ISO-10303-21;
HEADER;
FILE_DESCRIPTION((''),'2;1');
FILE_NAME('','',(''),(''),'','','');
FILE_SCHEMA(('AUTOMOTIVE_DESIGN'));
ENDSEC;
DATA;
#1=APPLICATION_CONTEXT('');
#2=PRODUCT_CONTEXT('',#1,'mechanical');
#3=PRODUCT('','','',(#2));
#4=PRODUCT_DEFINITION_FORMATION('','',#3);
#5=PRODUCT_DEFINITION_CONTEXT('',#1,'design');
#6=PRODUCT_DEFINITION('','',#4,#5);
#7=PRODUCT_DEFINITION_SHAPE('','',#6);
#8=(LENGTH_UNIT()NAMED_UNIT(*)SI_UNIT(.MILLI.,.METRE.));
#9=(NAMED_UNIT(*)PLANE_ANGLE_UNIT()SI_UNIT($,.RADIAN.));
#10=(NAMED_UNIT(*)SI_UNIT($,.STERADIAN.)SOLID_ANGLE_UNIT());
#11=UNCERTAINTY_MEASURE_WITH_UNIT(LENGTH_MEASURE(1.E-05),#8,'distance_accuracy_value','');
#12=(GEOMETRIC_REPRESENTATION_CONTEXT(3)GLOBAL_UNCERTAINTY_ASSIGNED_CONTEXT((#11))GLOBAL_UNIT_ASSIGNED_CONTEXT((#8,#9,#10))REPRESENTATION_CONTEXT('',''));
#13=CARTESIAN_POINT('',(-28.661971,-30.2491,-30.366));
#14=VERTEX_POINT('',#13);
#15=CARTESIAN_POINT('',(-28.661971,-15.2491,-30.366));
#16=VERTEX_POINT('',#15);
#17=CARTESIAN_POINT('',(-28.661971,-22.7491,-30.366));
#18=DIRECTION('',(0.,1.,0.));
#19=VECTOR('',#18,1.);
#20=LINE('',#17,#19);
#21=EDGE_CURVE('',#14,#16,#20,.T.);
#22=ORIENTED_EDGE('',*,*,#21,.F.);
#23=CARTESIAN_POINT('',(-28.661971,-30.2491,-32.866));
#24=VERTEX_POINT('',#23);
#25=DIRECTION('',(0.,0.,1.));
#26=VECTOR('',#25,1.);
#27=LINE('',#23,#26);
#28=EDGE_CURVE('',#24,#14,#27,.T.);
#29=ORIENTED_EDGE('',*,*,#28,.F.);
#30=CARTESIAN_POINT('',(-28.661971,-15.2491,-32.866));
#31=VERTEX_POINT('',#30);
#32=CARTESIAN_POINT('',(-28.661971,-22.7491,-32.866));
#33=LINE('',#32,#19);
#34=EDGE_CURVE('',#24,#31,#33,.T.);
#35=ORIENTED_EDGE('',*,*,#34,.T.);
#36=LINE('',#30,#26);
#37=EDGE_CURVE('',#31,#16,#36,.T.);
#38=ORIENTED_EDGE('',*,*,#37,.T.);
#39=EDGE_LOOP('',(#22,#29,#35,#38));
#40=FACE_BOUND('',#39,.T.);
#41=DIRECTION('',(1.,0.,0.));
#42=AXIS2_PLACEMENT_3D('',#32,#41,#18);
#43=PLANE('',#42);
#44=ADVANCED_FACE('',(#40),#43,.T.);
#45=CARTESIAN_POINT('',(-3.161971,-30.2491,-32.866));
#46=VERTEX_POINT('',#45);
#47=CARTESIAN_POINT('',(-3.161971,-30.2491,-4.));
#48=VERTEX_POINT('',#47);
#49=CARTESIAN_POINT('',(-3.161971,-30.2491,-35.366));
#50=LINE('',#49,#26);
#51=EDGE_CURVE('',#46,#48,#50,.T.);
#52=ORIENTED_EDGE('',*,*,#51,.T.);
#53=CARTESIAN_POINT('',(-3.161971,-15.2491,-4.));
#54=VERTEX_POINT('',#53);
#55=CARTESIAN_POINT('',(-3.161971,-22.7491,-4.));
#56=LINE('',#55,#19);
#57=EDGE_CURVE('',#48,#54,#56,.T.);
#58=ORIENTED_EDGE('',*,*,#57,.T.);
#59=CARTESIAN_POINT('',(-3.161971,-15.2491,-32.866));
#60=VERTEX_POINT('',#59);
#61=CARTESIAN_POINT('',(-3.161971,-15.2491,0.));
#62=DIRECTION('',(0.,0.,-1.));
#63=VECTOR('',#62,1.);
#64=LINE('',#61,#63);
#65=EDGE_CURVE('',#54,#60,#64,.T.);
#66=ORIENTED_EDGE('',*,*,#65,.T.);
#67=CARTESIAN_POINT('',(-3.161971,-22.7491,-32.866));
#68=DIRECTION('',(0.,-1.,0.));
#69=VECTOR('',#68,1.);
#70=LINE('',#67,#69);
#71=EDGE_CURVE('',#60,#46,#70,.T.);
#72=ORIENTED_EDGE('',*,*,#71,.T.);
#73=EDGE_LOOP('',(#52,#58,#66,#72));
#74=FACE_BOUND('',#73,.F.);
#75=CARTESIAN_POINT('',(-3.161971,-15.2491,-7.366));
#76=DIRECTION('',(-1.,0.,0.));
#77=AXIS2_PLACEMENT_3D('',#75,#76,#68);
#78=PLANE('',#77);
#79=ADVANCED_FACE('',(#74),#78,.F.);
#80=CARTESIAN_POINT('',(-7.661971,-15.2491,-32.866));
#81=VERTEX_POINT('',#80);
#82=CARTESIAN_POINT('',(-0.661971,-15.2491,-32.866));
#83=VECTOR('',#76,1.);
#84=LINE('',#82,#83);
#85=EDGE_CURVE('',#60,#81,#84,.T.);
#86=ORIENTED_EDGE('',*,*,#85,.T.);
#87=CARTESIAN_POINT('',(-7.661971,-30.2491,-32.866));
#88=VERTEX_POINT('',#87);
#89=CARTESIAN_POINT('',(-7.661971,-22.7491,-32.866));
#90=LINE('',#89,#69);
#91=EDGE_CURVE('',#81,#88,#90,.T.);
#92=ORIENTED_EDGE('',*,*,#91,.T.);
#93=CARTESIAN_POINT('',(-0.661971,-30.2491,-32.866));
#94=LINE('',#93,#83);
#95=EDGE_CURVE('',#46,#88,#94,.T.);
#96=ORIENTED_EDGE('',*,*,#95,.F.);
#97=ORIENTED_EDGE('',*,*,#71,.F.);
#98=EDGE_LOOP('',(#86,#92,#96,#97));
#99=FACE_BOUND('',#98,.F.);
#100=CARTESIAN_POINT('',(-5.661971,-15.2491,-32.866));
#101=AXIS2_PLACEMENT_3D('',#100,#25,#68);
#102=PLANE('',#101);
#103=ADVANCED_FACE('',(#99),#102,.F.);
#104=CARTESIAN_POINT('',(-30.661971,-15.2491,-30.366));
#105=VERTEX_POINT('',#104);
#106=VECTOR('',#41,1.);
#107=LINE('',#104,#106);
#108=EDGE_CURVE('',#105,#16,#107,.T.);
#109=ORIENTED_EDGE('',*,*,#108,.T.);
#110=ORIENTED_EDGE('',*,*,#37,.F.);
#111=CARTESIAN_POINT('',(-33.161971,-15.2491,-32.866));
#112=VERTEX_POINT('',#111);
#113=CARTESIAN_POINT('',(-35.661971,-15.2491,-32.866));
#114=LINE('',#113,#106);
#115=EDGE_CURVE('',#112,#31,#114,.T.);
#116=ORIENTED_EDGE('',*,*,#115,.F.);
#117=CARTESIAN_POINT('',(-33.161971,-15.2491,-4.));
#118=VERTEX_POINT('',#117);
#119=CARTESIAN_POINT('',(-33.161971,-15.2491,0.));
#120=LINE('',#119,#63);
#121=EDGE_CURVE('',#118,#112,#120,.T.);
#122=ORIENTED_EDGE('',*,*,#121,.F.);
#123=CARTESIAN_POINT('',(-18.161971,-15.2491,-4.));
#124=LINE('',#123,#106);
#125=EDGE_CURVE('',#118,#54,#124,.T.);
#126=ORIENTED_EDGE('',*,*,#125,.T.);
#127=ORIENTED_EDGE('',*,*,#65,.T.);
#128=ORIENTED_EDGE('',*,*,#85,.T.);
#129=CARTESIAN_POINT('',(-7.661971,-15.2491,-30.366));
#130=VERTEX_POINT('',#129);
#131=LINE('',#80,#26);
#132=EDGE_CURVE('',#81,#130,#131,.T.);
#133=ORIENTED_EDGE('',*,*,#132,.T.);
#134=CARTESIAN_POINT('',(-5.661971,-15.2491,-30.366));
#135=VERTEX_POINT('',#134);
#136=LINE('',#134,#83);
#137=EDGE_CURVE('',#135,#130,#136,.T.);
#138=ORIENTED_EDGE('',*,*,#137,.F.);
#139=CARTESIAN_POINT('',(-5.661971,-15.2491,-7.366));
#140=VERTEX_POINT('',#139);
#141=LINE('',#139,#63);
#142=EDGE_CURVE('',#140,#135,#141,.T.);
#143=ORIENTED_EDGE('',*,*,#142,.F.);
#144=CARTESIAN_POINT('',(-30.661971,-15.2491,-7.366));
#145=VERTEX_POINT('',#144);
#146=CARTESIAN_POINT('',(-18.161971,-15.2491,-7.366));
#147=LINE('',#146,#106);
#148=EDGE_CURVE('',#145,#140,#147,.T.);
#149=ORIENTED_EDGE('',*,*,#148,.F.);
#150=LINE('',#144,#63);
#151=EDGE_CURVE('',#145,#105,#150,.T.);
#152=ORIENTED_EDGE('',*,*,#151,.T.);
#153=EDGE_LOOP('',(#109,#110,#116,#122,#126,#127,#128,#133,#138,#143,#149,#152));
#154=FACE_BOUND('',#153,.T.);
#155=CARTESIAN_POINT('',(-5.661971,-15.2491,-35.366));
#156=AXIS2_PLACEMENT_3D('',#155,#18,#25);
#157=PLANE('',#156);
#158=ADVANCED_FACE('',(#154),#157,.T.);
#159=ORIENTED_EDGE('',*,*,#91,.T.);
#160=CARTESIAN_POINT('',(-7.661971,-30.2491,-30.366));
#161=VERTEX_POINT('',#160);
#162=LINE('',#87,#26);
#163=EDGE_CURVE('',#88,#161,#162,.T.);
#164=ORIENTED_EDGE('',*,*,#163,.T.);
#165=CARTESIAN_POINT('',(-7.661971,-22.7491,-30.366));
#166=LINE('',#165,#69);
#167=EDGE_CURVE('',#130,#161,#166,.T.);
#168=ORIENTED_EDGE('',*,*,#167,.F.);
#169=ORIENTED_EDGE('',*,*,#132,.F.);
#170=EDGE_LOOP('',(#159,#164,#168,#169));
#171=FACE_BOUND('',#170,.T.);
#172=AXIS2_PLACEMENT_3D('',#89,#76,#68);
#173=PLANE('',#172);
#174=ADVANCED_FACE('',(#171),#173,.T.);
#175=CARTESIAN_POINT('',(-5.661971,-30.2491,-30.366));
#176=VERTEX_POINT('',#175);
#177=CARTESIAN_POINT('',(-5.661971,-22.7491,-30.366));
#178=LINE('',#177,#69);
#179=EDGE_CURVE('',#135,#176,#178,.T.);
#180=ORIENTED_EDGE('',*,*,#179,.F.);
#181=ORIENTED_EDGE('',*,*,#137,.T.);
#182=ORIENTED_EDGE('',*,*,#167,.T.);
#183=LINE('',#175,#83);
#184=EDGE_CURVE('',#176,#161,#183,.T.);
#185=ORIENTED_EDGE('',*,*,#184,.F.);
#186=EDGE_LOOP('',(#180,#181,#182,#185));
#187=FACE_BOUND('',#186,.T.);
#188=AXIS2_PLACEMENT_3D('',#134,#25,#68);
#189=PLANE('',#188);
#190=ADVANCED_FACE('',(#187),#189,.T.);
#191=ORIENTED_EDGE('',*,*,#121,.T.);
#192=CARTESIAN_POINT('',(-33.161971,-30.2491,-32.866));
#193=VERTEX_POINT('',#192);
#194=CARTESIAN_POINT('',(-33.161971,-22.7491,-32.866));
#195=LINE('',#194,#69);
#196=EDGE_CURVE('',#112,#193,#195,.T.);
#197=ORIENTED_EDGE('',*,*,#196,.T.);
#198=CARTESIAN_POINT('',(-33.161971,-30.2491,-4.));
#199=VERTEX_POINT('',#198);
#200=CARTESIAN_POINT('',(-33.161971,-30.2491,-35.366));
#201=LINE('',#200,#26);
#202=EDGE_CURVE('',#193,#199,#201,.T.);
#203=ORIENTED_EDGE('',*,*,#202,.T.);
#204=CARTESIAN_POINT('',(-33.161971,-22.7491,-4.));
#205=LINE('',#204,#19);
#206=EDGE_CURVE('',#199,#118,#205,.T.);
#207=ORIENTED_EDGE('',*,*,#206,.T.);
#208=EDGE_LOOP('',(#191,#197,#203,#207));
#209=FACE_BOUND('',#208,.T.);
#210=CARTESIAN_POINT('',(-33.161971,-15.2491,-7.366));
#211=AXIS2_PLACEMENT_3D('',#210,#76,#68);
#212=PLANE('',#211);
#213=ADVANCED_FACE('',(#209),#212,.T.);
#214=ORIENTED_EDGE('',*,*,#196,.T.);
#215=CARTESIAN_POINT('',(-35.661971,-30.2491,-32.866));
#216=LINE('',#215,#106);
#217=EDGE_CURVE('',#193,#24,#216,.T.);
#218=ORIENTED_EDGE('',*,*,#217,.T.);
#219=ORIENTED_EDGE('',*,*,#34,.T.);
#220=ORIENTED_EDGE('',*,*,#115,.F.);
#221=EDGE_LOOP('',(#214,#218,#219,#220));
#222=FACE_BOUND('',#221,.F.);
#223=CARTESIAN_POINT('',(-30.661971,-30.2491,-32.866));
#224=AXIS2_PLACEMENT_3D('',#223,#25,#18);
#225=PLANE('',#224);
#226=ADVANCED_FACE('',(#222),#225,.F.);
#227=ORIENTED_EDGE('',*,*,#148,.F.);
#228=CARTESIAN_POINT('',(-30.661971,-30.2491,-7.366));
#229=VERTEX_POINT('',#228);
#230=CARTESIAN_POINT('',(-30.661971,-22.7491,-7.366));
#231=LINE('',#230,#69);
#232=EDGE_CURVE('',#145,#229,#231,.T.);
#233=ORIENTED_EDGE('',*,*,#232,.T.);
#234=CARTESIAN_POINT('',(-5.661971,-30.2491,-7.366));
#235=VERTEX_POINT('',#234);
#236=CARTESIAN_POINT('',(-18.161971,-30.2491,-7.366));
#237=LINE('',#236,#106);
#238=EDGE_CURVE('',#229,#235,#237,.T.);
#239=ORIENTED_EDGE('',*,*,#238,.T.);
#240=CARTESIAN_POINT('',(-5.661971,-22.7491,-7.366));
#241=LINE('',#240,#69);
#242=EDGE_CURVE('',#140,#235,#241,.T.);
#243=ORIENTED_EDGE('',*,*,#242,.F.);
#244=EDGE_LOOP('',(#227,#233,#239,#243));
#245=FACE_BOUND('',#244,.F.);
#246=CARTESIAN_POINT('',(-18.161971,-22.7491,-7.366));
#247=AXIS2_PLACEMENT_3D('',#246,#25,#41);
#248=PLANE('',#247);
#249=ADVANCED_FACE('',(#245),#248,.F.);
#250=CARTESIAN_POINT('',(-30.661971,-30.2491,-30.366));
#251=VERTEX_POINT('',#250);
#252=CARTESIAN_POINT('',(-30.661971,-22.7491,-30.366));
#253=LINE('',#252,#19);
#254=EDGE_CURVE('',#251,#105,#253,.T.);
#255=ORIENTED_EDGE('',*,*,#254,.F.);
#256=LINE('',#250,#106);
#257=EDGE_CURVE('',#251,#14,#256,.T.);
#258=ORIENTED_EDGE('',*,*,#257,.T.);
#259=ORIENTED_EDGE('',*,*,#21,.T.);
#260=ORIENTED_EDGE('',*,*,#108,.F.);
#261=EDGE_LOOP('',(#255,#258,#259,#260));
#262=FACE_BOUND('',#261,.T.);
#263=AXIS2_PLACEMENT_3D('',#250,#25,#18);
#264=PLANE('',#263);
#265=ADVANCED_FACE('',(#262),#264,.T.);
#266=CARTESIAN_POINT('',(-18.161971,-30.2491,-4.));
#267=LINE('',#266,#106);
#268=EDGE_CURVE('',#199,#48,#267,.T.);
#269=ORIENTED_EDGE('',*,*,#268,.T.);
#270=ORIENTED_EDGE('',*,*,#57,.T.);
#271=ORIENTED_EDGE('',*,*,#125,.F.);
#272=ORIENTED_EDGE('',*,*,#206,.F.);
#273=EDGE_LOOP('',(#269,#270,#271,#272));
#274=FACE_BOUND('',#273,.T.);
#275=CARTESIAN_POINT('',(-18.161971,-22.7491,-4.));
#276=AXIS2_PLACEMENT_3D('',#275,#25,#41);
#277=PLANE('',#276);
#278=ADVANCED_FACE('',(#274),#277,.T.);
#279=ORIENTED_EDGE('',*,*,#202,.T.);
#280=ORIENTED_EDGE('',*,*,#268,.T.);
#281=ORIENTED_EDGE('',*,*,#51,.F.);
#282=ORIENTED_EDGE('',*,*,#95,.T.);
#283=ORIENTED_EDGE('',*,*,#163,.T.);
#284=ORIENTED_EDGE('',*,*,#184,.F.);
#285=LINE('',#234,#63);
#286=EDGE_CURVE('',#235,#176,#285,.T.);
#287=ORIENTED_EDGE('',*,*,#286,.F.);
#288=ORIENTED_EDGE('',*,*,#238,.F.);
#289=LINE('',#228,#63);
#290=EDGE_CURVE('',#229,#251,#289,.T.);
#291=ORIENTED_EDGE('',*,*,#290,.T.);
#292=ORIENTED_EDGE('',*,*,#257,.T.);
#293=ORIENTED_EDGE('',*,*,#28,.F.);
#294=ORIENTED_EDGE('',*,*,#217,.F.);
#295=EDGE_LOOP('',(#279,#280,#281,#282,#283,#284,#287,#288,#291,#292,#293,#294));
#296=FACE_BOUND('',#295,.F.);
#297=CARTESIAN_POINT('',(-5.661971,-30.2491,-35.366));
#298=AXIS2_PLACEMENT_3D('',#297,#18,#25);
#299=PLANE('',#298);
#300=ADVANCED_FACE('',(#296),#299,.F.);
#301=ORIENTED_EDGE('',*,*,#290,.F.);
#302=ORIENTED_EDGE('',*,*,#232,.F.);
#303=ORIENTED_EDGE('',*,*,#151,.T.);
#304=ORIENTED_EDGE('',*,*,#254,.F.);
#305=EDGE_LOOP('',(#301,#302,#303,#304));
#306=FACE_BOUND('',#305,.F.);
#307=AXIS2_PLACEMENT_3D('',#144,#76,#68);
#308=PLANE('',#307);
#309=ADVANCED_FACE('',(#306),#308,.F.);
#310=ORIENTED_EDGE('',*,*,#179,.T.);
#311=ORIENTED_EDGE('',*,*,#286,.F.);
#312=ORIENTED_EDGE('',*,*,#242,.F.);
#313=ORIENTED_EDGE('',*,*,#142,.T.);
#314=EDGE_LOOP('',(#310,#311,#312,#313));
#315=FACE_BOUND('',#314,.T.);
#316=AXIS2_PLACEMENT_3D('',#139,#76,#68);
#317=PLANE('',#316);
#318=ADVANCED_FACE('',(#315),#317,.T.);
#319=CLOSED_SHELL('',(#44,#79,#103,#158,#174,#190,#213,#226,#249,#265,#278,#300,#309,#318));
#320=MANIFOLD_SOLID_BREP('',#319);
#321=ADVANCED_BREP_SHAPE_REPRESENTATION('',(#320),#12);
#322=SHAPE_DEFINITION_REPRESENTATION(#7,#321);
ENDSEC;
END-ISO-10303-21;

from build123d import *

# Parameters (mm, degrees)
F0_W      = 35
F0_H      = 15
F1_DEPTH  = 7.366
F2_W      = 5
F2_H      = 15
F3_DEPTH  = 28
F4_W      = 5
F4_H      = 15
F5_DEPTH  = 28
F7_W      = 15
F7_H      = 5
F8_DEPTH  = 2
F6_W      = 15
F6_H      = 5
F9_DEPTH  = 2
F10_DEPTH = 4
F11_DEPTH = 2.5
F12_DEPTH = 2.5
F13_DEPTH = 2.5


with BuildPart() as f1:
    # F0 (on Top) → F1 (new body)
    with BuildSketch(Plane.XY):
        with Locations((-18.1619706172, -22.7490997307)):
            Rectangle(F0_W, F0_H)
    extrude(amount=-F1_DEPTH)

    # F2 (on face) → F3 (join)
    with BuildSketch(Plane(origin=(0, 0, -7.366), x_dir=(1, 0, 0), z_dir=(0, 0, -1))):
        with Locations((-33.1619706172, 22.7490997307)):
            Rectangle(F2_W, F2_H)
    extrude(amount=F3_DEPTH)

    # F4 (on face) → F5 (join)
    with BuildSketch(Plane(origin=(0, 0, -7.366), x_dir=(1, 0, 0), z_dir=(0, 0, -1))):
        with Locations((-3.1619706172, 22.7490997307)):
            Rectangle(F4_W, F4_H)
    extrude(amount=F5_DEPTH)

    # F7 (on face) → F8 (join)
    with BuildSketch(Plane.YZ.offset(-30.6619706172)):
        with Locations((-22.7490997307, -32.866)):
            Rectangle(F7_W, F7_H)
    extrude(amount=F8_DEPTH)

    # F6 (on face) → F9 (join)
    with BuildSketch(Plane(origin=(-5.6619706172, 0, 0), x_dir=(0, -1, 0), z_dir=(-1, 0, 0))):
        with Locations((22.7490997307, -32.866)):
            Rectangle(F6_W, F6_H)
    extrude(amount=F9_DEPTH)

    # F10 (cut): a face of the model
    f10_faces = [f1.faces().sort_by_distance(p)[0] for p in [
        (-18.1619706172, -22.7490997307, 0),
    ]]
    extrude(f10_faces, amount=-F10_DEPTH, mode=Mode.SUBTRACT)

    # F11 (cut): a face of the model
    f11_faces = [f1.faces().sort_by_distance(p)[0] for p in [
        (-0.6619706172, -22.7490997307, -19.683),
    ]]
    extrude(f11_faces, amount=-F11_DEPTH, mode=Mode.SUBTRACT)

    # F12 (cut): a face of the model
    f12_faces = [f1.faces().sort_by_distance(p)[0] for p in [
        (-35.6619706172, -22.7490997307, -19.683),
    ]]
    extrude(f12_faces, amount=-F12_DEPTH, mode=Mode.SUBTRACT)

    # F13 (cut): faces of the model
    f13_faces = [f1.faces().sort_by_distance(p)[0] for p in [
        (-30.9119706172, -22.7490997307, -35.366),
        (-5.4119706172, -22.7490997307, -35.366),
    ]]
    extrude(f13_faces, amount=-F13_DEPTH, mode=Mode.SUBTRACT)


solid = f1.part
